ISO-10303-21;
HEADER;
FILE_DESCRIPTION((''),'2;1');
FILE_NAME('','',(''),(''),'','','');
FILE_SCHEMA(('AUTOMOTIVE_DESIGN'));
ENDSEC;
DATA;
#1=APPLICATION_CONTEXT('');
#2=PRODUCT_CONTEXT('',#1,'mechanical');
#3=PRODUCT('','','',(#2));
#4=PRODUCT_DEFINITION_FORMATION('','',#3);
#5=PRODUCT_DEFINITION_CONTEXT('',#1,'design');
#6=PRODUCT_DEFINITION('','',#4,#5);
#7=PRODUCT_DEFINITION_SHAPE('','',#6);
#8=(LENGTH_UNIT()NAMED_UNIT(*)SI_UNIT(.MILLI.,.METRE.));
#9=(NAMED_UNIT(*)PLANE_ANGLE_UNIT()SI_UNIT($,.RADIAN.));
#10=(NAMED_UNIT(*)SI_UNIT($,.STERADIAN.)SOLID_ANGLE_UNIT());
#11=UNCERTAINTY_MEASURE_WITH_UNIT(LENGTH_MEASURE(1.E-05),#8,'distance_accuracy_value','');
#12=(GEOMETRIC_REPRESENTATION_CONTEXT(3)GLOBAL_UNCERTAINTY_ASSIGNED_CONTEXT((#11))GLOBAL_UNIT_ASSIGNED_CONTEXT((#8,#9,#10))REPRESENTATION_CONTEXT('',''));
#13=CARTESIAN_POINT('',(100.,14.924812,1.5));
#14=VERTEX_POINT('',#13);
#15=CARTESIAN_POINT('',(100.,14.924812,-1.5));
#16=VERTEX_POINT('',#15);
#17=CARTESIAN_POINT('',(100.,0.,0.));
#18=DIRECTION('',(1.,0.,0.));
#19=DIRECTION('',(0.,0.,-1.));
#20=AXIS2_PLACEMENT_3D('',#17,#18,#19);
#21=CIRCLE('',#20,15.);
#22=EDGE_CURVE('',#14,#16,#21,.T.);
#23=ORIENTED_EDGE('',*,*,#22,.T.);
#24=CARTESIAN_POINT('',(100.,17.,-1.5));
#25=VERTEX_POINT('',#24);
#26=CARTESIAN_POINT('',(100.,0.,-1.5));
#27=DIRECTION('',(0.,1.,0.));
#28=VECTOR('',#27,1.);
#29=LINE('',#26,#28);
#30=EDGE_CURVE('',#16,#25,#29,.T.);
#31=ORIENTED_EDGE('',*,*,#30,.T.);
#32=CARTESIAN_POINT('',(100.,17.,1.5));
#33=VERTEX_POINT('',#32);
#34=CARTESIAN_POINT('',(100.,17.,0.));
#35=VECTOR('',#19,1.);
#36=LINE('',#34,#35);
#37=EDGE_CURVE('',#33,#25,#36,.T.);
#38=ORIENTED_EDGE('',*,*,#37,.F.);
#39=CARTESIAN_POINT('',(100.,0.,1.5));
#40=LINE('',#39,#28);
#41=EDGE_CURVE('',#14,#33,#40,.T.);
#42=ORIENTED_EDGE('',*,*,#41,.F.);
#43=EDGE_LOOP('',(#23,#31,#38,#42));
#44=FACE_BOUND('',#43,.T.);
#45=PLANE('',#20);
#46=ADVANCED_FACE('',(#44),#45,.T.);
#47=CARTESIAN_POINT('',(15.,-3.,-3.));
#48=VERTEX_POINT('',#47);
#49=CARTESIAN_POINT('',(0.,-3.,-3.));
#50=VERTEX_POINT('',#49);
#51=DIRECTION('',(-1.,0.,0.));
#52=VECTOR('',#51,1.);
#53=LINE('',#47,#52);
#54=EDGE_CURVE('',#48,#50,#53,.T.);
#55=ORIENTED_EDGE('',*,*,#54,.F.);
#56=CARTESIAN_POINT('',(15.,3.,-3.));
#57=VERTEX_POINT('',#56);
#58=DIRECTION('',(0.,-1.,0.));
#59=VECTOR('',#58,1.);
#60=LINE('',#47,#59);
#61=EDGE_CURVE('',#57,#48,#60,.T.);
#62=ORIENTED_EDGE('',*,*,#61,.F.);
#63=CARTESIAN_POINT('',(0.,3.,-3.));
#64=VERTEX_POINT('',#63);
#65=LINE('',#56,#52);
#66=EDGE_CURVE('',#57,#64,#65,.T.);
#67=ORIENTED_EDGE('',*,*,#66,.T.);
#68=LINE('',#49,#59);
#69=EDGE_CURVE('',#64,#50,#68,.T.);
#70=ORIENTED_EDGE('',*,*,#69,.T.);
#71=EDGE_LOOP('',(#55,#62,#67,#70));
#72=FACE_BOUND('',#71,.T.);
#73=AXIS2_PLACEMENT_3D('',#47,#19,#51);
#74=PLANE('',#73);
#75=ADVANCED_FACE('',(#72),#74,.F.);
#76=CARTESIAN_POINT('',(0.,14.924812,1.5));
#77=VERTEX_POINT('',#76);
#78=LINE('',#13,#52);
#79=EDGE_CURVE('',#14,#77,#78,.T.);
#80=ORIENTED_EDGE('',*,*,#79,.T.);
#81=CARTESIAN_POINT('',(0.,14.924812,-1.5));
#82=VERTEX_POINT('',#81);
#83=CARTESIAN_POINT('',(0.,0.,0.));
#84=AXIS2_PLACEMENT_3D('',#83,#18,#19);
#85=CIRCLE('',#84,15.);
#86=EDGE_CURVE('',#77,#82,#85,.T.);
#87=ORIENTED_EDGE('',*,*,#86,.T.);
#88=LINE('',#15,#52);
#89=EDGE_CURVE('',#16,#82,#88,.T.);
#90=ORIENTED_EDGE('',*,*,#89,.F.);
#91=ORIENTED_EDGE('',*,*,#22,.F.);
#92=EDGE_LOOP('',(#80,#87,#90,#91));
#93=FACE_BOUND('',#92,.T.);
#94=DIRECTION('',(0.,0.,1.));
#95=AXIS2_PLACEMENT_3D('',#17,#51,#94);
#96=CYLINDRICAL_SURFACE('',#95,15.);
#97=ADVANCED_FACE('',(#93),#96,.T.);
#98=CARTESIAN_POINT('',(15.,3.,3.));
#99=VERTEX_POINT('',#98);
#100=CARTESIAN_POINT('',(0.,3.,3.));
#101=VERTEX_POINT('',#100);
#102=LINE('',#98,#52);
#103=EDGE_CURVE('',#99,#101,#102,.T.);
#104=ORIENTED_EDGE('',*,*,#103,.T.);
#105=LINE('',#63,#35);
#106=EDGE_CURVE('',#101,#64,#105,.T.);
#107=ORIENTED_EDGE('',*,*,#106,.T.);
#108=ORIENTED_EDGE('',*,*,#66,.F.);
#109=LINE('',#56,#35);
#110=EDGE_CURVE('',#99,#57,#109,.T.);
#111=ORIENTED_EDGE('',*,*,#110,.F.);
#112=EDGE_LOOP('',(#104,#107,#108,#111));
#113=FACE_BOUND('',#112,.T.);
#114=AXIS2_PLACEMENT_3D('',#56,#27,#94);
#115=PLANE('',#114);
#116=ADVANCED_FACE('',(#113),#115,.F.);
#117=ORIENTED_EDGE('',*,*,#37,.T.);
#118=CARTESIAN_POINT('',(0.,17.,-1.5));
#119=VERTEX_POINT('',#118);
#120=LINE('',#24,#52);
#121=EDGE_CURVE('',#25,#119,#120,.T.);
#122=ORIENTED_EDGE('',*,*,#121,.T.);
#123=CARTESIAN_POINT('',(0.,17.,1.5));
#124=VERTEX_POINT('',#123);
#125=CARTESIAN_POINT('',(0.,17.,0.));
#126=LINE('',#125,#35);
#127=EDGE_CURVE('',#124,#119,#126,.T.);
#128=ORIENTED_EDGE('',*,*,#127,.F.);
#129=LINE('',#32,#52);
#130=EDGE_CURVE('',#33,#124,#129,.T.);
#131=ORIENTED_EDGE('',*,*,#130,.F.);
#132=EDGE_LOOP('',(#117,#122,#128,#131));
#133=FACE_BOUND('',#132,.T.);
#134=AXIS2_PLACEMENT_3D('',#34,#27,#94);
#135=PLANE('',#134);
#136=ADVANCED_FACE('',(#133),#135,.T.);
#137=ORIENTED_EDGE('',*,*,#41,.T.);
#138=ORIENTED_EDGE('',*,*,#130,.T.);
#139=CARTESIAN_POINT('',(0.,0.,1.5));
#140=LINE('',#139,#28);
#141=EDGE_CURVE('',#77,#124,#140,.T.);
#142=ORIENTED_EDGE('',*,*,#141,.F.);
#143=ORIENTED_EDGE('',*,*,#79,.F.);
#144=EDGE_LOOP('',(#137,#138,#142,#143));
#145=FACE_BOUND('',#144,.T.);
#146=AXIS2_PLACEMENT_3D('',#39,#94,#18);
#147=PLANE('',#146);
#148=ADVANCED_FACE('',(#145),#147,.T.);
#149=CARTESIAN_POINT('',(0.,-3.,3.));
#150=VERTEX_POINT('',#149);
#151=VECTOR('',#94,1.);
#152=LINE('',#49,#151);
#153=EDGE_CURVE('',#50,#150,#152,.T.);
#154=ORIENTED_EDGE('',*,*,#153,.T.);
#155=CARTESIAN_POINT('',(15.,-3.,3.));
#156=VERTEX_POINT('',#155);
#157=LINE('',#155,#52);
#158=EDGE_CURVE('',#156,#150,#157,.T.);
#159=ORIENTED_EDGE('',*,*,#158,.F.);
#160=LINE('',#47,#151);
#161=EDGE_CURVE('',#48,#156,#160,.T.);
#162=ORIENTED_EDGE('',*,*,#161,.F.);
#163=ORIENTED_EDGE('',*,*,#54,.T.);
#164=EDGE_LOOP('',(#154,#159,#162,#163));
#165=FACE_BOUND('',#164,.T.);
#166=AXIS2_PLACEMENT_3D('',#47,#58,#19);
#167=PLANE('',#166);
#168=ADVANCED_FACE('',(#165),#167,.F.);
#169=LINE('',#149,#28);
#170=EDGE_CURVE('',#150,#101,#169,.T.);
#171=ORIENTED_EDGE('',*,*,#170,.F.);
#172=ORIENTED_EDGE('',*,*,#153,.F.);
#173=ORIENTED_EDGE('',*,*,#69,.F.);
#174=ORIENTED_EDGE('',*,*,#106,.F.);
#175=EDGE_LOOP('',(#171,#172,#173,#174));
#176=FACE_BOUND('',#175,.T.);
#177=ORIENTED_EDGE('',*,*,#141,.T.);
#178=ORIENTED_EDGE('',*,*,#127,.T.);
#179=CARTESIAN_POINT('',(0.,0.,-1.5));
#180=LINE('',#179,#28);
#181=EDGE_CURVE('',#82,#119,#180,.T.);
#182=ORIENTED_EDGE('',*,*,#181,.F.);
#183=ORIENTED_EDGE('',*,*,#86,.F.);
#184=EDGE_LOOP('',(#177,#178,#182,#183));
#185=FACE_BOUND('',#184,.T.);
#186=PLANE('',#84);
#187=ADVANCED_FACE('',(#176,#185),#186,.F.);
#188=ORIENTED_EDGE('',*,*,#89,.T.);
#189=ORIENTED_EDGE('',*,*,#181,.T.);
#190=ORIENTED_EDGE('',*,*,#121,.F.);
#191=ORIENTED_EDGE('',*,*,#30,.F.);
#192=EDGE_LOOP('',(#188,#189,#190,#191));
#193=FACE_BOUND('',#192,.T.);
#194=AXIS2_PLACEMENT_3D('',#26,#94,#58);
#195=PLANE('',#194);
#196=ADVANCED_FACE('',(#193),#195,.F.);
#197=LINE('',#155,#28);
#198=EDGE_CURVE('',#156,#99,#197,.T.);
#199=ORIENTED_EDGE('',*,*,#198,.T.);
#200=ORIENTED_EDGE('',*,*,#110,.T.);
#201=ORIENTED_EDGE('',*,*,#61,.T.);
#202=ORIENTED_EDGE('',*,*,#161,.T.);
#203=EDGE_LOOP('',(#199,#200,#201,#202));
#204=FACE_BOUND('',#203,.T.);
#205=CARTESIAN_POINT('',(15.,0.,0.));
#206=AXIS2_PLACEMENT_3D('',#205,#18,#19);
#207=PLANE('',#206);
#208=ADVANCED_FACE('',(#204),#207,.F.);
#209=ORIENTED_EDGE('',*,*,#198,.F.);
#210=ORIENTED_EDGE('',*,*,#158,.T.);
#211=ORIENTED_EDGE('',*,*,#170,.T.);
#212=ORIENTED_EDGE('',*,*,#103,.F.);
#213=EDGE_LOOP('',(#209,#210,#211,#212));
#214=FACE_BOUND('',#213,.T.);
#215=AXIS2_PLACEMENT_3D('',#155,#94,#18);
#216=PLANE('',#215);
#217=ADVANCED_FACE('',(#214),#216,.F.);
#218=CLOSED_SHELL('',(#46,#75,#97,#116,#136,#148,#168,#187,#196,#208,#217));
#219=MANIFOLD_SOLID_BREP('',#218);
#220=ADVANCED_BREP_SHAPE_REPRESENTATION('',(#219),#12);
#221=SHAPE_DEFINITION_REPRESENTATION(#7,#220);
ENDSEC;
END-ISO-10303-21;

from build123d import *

# Parameters (mm, degrees)
EXTRUDE_1_DEPTH     = 100
SKETCH_2_W          = 6
SKETCH_2_H          = 6
CUT_EXTRUDE_1_DEPTH = 15


with BuildPart() as part:
    # 草图1 → 凸台-拉伸1 (new body)
    with BuildSketch(Plane(origin=(0, 0, 0), x_dir=(0, 0, -1), z_dir=(1, 0, 0))):
        with BuildLine():
            Line((-1.5, 14.924811557), (-1.5, 0))
            Line((-1.5, 0), (1.5, 0))
            Line((1.5, 0), (1.5, 14.924811557))
            ThreePointArc((1.5, 14.924811557), (0, 15), (-1.5, 14.924811557))
        make_face()
        with BuildLine():
            Line((1.5, 0), (-1.5, 0))
            Line((-1.5, 0), (-1.5, 14.924811557))
            ThreePointArc((-1.5, 14.924811557), (-10.062305899, -11.124297731), (15, 0))
            ThreePointArc((15, 0), (11.124297731, 10.062305899), (1.5, 14.924811557))
            Line((1.5, 14.924811557), (1.5, 0))
        make_face()
        with BuildLine():
            Line((-1.5, 17), (-1.5, 14.924811557))
            ThreePointArc((-1.5, 14.924811557), (0, 15), (1.5, 14.924811557))
            Line((1.5, 14.924811557), (1.5, 17))
            Line((1.5, 17), (-1.5, 17))
        make_face()
    extrude(amount=EXTRUDE_1_DEPTH)

    # 草图2 → 切除-拉伸1 (cut)
    with BuildSketch(Plane.ZY):
        Rectangle(SKETCH_2_W, SKETCH_2_H)
    extrude(amount=-CUT_EXTRUDE_1_DEPTH, mode=Mode.SUBTRACT)


solid = part.part
